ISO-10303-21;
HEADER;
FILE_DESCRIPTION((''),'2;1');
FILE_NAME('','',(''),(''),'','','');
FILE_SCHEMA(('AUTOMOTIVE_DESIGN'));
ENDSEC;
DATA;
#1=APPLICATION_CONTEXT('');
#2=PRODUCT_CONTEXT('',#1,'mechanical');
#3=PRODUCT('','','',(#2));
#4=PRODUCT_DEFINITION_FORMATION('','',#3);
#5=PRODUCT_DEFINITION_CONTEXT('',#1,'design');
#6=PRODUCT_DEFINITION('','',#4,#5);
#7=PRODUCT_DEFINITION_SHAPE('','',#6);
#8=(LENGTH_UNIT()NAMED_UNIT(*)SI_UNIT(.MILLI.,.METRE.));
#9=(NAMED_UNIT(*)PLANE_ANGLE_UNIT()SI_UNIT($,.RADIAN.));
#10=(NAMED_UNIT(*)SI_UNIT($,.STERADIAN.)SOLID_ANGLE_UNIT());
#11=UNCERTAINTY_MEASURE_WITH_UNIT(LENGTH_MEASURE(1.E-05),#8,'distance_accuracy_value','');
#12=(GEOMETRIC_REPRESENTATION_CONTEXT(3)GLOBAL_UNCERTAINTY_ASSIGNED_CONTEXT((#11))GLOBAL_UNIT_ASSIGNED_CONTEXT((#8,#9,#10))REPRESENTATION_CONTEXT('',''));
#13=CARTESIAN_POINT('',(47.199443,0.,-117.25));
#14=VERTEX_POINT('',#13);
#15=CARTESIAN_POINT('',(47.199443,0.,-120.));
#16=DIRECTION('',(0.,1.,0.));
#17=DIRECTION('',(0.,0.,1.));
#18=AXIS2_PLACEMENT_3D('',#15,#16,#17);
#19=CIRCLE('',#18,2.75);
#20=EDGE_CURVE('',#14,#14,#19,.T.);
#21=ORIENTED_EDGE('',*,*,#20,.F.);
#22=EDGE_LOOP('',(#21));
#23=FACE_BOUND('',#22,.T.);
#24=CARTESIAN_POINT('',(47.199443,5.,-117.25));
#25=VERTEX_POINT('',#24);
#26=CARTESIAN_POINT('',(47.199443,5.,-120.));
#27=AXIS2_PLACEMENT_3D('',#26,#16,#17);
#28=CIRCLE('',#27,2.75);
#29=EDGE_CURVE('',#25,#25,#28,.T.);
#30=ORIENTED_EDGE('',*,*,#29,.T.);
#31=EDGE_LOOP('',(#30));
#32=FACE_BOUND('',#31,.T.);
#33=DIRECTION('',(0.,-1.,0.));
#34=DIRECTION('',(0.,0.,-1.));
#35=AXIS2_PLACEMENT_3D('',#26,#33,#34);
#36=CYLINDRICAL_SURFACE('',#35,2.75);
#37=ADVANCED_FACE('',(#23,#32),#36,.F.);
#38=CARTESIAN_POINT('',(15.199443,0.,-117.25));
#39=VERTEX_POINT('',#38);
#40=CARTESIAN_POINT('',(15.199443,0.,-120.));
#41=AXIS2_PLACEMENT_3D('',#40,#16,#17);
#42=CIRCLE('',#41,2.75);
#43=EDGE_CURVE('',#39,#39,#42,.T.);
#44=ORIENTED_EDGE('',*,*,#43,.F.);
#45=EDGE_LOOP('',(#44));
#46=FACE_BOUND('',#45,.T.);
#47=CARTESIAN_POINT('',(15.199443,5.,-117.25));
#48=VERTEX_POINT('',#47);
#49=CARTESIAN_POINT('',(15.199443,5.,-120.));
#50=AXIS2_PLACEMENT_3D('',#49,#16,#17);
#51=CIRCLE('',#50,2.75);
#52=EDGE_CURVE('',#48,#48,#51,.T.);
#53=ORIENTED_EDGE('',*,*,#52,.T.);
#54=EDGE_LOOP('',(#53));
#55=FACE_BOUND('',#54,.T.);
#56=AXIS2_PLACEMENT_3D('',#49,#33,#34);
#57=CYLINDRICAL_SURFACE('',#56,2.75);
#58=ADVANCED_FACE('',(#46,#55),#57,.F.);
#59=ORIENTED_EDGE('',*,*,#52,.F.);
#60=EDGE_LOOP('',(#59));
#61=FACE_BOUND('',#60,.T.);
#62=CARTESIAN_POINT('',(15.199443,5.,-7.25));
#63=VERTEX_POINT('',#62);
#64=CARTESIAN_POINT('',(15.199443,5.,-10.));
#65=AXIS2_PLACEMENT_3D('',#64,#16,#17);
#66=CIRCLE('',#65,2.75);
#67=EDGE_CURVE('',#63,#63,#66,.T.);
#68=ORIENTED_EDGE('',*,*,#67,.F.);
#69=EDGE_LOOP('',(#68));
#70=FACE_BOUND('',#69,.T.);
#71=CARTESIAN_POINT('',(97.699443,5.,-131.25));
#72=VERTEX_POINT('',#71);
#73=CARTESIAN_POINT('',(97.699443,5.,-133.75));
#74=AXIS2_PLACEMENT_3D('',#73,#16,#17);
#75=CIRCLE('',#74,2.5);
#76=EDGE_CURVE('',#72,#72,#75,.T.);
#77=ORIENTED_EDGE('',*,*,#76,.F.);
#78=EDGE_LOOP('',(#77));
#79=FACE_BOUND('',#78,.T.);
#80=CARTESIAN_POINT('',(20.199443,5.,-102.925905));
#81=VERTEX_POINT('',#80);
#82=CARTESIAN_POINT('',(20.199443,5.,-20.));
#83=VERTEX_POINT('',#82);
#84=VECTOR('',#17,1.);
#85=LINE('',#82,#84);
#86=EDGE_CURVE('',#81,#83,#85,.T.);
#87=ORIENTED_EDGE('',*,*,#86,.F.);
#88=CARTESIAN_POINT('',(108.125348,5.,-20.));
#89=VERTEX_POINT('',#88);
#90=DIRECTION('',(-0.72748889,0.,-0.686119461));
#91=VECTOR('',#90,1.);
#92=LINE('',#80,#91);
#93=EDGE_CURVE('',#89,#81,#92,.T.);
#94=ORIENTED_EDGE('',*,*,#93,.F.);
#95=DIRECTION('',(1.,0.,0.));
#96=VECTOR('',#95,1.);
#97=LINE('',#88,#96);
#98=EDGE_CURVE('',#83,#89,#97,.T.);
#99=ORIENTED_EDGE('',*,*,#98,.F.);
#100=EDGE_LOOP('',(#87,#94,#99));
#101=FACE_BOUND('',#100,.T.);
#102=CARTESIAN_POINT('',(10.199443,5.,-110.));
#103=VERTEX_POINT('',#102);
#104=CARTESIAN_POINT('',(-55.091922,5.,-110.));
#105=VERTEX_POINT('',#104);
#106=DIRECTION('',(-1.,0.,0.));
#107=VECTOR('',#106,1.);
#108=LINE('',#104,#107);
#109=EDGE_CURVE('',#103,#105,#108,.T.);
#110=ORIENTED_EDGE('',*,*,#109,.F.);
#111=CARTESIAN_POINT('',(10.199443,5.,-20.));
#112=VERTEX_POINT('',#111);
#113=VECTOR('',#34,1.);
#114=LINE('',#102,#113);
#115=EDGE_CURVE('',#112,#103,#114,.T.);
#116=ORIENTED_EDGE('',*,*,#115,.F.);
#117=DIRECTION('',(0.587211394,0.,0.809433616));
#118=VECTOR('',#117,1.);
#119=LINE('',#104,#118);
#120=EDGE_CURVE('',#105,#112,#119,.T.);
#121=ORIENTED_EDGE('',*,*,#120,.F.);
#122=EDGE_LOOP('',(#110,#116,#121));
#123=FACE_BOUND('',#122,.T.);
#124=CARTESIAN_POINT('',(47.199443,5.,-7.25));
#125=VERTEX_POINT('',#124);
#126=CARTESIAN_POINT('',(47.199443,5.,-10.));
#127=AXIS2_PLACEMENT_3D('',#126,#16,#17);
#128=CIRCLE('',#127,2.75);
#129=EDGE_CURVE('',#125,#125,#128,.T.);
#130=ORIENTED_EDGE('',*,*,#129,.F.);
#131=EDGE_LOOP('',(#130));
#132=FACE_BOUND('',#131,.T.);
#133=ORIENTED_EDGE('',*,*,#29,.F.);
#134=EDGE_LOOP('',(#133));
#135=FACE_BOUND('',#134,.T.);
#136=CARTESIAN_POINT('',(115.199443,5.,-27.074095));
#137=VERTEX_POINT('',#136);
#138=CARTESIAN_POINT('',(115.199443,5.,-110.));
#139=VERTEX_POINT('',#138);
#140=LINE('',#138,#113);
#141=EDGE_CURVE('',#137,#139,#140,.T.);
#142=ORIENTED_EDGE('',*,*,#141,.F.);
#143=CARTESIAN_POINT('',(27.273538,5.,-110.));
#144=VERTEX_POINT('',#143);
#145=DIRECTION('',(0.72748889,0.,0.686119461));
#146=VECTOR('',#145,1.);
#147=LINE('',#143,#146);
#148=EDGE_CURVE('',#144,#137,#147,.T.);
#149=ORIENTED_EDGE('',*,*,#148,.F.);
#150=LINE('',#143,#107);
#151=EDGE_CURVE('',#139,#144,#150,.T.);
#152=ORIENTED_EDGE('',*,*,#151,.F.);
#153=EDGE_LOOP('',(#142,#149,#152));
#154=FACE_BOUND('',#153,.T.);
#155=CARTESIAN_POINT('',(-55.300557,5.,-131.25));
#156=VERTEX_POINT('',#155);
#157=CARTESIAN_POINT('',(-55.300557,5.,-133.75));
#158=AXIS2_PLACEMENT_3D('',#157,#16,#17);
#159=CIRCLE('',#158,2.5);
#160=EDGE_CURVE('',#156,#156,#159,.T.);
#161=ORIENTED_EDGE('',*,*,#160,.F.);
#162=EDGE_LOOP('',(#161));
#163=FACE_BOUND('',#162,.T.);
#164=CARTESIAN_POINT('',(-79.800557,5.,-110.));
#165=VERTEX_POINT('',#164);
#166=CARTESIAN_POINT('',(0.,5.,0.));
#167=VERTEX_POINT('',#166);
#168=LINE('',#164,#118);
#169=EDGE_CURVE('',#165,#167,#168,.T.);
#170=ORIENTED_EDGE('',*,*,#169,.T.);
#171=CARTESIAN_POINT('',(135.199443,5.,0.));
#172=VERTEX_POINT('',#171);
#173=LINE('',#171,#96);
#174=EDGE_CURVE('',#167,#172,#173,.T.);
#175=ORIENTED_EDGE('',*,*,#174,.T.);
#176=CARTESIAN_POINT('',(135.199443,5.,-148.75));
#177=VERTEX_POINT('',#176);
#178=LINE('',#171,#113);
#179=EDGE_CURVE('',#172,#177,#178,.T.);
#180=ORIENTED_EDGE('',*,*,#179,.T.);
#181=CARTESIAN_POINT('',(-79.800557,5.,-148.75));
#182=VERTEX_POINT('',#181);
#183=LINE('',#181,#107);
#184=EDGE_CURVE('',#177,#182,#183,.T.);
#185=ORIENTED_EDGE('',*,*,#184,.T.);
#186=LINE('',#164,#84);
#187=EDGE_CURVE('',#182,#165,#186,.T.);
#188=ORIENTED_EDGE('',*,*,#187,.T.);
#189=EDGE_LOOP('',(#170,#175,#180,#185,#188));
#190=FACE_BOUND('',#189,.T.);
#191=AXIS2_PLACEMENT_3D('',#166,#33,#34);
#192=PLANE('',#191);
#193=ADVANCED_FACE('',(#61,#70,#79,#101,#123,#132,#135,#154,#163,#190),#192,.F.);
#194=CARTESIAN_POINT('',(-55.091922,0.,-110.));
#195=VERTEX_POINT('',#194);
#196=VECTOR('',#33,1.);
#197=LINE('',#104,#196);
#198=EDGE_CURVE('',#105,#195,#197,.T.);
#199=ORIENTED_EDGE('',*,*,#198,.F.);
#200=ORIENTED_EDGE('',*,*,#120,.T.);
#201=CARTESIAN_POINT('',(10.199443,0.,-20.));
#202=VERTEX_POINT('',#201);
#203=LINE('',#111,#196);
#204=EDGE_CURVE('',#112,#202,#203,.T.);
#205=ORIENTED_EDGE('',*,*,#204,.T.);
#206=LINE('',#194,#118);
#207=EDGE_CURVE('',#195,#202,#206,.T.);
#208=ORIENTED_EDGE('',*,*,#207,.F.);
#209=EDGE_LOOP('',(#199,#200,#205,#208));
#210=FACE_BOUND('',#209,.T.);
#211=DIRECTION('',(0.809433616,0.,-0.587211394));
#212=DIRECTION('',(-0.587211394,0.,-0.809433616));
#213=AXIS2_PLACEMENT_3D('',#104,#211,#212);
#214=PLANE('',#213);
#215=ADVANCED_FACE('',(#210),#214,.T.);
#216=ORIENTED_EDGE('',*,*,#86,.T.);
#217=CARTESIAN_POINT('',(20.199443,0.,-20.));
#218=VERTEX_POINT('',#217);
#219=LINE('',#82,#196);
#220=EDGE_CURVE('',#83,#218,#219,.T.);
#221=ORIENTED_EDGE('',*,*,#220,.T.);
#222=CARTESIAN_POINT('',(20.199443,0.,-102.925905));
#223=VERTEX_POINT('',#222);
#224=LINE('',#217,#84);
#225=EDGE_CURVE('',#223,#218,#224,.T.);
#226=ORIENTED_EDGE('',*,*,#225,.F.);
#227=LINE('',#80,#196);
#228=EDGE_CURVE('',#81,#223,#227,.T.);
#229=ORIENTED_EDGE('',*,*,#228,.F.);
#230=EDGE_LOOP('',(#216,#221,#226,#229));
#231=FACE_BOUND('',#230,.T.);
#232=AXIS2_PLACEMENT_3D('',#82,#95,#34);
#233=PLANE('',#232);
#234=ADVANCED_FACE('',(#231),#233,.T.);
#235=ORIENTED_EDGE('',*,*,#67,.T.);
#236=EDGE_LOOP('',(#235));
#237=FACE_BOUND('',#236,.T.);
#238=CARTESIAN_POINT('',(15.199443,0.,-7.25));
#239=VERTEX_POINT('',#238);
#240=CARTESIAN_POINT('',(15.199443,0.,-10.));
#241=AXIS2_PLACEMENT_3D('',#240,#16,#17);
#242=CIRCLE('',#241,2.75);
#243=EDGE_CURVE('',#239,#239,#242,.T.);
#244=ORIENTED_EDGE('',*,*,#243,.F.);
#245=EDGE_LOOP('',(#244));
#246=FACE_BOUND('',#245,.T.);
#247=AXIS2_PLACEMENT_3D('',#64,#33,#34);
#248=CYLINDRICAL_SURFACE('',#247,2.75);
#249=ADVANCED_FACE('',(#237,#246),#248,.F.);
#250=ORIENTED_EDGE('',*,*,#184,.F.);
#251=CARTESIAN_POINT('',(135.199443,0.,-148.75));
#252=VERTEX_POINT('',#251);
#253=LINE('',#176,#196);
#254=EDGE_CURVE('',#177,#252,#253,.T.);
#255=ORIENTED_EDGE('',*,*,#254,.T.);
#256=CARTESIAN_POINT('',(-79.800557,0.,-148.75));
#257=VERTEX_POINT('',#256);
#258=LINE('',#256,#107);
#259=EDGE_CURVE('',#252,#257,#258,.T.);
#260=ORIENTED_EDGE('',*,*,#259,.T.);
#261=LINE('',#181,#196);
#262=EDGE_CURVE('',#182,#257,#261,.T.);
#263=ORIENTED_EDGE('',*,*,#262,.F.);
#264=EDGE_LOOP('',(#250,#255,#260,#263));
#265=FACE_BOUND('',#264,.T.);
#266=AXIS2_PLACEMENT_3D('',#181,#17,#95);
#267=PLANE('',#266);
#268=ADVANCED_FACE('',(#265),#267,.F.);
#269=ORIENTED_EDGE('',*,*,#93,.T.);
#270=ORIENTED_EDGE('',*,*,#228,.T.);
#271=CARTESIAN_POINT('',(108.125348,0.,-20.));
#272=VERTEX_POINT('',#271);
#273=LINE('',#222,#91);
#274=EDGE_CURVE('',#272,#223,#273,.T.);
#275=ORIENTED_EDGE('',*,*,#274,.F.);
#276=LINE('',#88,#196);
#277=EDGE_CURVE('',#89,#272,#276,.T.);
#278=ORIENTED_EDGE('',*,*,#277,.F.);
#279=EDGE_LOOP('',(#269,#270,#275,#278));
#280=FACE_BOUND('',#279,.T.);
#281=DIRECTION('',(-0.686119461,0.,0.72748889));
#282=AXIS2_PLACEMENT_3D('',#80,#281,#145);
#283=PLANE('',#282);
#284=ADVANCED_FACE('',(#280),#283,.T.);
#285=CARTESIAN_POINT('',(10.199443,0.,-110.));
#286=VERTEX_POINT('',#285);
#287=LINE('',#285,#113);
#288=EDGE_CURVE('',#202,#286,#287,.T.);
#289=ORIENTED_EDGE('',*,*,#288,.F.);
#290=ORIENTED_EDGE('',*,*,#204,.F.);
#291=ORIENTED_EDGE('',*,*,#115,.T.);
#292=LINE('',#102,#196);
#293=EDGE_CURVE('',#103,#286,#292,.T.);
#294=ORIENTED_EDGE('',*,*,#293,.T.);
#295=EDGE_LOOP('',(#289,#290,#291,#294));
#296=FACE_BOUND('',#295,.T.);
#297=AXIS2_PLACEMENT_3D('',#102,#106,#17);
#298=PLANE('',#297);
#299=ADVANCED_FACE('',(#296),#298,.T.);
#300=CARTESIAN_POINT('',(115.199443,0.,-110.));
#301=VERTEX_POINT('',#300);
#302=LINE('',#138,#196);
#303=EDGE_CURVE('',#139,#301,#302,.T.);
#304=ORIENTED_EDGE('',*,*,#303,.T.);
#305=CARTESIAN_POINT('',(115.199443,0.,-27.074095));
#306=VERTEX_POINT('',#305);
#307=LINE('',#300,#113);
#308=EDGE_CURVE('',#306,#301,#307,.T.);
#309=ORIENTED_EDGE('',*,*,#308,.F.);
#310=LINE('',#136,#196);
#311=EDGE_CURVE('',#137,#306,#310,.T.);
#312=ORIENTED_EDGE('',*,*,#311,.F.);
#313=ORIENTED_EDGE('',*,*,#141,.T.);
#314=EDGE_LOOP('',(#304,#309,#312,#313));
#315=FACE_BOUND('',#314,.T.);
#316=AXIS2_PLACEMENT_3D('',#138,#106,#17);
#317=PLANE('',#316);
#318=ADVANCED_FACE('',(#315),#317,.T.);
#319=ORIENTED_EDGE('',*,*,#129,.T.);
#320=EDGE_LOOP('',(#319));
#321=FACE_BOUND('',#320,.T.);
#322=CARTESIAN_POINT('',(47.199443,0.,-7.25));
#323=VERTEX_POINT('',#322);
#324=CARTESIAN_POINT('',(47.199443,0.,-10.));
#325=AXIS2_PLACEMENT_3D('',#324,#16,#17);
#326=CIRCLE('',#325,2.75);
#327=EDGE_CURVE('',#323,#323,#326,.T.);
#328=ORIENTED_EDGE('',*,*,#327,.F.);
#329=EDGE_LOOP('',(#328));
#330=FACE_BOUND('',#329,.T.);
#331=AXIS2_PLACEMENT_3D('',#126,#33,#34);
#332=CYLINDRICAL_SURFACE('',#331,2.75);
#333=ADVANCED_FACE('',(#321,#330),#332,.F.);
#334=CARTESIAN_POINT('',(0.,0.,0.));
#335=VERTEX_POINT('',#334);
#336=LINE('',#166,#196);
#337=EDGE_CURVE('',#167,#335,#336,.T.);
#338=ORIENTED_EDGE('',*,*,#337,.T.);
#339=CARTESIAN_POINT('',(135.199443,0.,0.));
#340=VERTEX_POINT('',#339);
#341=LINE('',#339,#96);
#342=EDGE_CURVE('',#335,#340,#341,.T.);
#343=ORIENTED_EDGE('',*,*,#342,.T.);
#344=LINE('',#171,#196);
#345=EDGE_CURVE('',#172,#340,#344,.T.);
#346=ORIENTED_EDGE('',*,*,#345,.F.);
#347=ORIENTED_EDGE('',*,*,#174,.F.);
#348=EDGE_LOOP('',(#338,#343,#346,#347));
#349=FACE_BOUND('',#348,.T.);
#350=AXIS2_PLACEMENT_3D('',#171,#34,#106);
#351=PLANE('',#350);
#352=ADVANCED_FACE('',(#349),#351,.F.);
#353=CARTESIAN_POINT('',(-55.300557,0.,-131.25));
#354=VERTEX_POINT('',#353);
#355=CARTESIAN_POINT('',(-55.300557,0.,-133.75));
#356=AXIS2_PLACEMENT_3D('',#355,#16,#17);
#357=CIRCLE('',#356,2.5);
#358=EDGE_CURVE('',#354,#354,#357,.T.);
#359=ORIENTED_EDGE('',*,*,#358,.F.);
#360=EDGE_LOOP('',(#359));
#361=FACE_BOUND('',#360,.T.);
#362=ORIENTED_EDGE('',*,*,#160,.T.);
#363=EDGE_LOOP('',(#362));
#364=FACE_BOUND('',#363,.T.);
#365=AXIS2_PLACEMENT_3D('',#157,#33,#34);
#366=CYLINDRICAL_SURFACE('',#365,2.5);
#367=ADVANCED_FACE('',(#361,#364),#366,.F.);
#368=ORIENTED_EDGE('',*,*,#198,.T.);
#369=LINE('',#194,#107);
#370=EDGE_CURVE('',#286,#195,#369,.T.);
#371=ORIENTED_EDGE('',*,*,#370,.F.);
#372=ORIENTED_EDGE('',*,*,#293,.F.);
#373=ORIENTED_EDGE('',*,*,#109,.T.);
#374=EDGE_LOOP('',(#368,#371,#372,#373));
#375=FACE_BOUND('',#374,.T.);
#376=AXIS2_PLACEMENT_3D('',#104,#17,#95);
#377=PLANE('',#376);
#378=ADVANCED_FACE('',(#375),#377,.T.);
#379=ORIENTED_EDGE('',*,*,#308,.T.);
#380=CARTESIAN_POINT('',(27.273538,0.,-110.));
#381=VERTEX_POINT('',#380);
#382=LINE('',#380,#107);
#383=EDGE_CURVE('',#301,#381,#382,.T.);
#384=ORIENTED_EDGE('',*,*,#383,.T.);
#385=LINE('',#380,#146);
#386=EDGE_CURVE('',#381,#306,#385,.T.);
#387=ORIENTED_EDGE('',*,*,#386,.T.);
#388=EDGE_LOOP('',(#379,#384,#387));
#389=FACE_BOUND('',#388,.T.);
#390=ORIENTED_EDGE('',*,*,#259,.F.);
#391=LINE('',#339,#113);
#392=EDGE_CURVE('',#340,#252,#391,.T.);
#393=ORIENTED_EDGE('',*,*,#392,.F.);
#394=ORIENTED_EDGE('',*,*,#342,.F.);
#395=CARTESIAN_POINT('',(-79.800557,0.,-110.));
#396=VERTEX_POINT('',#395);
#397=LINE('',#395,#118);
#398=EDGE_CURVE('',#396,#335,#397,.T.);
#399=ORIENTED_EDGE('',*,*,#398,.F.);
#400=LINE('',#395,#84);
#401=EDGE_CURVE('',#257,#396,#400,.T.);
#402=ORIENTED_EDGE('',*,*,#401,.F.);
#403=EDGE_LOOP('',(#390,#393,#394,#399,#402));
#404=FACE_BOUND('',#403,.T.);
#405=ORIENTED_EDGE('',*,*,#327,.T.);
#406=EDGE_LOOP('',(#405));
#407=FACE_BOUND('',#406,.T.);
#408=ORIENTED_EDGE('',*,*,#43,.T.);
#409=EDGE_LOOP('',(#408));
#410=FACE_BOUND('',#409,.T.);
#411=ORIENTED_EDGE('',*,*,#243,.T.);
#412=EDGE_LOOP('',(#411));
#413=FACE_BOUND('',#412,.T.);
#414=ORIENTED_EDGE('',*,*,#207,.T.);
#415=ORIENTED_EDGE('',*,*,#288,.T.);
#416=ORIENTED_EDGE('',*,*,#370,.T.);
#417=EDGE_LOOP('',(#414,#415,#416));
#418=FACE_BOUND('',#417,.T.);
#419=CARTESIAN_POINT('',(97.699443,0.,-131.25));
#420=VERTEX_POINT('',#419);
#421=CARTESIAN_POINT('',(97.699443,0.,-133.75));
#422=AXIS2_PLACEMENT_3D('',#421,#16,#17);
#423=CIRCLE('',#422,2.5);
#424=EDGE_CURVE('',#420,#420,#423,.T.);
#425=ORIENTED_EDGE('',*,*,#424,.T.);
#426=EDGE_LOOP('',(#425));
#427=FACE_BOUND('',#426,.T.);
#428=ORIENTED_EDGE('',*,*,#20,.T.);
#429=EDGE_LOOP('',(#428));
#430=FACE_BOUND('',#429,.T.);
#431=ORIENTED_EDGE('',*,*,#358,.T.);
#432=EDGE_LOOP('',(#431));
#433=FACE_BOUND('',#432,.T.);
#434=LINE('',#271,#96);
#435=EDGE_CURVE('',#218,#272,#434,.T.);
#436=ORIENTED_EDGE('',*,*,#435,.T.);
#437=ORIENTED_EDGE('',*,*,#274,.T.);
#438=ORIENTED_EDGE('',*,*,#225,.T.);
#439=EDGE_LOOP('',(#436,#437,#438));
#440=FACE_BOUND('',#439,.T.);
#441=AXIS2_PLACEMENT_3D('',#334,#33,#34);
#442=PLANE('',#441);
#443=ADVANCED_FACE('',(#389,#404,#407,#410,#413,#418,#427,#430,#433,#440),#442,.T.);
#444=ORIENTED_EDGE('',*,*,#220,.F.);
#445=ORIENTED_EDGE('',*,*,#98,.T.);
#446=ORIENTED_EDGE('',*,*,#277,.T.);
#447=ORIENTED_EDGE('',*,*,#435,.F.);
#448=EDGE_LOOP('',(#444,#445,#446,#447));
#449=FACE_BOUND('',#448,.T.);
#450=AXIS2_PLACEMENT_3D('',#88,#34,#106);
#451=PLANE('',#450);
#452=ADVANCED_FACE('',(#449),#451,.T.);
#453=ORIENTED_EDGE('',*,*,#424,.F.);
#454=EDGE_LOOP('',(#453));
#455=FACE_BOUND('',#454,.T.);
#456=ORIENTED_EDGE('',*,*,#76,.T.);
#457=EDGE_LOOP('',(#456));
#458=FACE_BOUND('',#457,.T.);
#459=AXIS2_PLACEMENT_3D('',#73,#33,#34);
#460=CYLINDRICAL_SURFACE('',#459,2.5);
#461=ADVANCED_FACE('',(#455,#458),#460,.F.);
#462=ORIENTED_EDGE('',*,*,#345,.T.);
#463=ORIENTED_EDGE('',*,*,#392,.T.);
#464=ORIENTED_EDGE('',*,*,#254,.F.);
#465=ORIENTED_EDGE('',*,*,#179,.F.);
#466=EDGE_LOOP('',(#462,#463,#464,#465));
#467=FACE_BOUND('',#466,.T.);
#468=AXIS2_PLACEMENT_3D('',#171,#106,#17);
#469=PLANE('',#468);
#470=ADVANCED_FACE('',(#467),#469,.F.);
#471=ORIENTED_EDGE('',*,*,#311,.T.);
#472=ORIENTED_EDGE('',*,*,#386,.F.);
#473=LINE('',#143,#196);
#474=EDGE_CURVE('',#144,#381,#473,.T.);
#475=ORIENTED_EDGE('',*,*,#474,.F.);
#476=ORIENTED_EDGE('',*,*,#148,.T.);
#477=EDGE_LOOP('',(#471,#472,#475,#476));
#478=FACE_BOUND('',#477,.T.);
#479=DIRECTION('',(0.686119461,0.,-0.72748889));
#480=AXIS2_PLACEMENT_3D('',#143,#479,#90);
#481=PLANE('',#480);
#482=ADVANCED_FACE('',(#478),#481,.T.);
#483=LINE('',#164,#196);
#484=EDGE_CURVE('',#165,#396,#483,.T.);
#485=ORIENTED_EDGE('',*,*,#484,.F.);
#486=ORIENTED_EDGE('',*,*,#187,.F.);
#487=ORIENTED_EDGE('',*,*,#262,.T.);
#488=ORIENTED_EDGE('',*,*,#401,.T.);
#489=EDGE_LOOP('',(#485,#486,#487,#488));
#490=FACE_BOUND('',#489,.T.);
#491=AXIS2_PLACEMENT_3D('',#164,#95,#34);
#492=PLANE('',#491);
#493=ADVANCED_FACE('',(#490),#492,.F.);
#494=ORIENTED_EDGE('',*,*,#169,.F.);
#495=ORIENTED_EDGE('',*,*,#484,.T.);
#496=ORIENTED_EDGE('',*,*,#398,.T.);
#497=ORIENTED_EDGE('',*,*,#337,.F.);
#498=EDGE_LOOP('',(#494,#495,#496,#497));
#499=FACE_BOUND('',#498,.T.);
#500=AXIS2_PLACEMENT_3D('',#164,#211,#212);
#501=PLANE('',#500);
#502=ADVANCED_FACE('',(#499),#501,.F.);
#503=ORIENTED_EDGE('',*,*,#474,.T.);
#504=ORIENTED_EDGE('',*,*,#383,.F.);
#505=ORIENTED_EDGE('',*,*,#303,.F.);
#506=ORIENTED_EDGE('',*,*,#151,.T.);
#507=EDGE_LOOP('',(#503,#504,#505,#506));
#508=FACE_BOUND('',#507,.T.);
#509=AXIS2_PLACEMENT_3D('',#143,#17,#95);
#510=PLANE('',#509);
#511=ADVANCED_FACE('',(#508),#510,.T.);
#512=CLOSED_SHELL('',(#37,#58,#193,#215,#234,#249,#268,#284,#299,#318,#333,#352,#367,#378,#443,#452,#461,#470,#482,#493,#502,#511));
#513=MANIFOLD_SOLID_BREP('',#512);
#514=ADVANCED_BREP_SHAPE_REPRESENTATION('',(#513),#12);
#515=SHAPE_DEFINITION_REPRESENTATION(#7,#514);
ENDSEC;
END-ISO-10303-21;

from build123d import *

# Parameters (mm, degrees)
SKETCH1_R           = 2.75
SKETCH1_R_2         = 2.5
BOSS_EXTRUDE2_DEPTH = 5


with BuildPart() as part:
    # Sketch1 → Boss-Extrude2 (new body)
    with BuildSketch(Plane(origin=(0, 0, 0), x_dir=(1, 0, 0), z_dir=(0, 1, 0))):
        Polygon((135.199443114, 0), (0, 0), (-79.800556886, 110), (-79.800556886, 148.75), (135.199443114, 148.75), align=None)
        with Locations(Location((15.199443114, 10, 0), (0, 0, 270))):
            Circle(SKETCH1_R, mode=Mode.SUBTRACT)
        with Locations(Location((47.199443114, 10, 0), (0, 0, 270))):
            Circle(SKETCH1_R, mode=Mode.SUBTRACT)
        with Locations(Location((15.199443114, 120, 0), (0, 0, 270))):
            Circle(SKETCH1_R, mode=Mode.SUBTRACT)
        with Locations(Location((47.199443114, 120, 0), (0, 0, 270))):
            Circle(SKETCH1_R, mode=Mode.SUBTRACT)
        with Locations(Location((-55.300556886, 133.75, 0), (0, 0, 270))):
            Circle(SKETCH1_R_2, mode=Mode.SUBTRACT)
        with Locations(Location((97.699443114, 133.75, 0), (0, 0, 270))):
            Circle(SKETCH1_R_2, mode=Mode.SUBTRACT)
        Polygon((20.199443114, 102.925904836), (108.125347951, 20), (20.199443114, 20), align=None, mode=Mode.SUBTRACT)
        Polygon((27.273538278, 110), (115.199443114, 27.074095164), (115.199443114, 110), align=None, mode=Mode.SUBTRACT)
        Polygon((-55.091921611, 110), (10.199443114, 20), (10.199443114, 110), align=None, mode=Mode.SUBTRACT)
    extrude(amount=BOSS_EXTRUDE2_DEPTH)


solid = part.part
